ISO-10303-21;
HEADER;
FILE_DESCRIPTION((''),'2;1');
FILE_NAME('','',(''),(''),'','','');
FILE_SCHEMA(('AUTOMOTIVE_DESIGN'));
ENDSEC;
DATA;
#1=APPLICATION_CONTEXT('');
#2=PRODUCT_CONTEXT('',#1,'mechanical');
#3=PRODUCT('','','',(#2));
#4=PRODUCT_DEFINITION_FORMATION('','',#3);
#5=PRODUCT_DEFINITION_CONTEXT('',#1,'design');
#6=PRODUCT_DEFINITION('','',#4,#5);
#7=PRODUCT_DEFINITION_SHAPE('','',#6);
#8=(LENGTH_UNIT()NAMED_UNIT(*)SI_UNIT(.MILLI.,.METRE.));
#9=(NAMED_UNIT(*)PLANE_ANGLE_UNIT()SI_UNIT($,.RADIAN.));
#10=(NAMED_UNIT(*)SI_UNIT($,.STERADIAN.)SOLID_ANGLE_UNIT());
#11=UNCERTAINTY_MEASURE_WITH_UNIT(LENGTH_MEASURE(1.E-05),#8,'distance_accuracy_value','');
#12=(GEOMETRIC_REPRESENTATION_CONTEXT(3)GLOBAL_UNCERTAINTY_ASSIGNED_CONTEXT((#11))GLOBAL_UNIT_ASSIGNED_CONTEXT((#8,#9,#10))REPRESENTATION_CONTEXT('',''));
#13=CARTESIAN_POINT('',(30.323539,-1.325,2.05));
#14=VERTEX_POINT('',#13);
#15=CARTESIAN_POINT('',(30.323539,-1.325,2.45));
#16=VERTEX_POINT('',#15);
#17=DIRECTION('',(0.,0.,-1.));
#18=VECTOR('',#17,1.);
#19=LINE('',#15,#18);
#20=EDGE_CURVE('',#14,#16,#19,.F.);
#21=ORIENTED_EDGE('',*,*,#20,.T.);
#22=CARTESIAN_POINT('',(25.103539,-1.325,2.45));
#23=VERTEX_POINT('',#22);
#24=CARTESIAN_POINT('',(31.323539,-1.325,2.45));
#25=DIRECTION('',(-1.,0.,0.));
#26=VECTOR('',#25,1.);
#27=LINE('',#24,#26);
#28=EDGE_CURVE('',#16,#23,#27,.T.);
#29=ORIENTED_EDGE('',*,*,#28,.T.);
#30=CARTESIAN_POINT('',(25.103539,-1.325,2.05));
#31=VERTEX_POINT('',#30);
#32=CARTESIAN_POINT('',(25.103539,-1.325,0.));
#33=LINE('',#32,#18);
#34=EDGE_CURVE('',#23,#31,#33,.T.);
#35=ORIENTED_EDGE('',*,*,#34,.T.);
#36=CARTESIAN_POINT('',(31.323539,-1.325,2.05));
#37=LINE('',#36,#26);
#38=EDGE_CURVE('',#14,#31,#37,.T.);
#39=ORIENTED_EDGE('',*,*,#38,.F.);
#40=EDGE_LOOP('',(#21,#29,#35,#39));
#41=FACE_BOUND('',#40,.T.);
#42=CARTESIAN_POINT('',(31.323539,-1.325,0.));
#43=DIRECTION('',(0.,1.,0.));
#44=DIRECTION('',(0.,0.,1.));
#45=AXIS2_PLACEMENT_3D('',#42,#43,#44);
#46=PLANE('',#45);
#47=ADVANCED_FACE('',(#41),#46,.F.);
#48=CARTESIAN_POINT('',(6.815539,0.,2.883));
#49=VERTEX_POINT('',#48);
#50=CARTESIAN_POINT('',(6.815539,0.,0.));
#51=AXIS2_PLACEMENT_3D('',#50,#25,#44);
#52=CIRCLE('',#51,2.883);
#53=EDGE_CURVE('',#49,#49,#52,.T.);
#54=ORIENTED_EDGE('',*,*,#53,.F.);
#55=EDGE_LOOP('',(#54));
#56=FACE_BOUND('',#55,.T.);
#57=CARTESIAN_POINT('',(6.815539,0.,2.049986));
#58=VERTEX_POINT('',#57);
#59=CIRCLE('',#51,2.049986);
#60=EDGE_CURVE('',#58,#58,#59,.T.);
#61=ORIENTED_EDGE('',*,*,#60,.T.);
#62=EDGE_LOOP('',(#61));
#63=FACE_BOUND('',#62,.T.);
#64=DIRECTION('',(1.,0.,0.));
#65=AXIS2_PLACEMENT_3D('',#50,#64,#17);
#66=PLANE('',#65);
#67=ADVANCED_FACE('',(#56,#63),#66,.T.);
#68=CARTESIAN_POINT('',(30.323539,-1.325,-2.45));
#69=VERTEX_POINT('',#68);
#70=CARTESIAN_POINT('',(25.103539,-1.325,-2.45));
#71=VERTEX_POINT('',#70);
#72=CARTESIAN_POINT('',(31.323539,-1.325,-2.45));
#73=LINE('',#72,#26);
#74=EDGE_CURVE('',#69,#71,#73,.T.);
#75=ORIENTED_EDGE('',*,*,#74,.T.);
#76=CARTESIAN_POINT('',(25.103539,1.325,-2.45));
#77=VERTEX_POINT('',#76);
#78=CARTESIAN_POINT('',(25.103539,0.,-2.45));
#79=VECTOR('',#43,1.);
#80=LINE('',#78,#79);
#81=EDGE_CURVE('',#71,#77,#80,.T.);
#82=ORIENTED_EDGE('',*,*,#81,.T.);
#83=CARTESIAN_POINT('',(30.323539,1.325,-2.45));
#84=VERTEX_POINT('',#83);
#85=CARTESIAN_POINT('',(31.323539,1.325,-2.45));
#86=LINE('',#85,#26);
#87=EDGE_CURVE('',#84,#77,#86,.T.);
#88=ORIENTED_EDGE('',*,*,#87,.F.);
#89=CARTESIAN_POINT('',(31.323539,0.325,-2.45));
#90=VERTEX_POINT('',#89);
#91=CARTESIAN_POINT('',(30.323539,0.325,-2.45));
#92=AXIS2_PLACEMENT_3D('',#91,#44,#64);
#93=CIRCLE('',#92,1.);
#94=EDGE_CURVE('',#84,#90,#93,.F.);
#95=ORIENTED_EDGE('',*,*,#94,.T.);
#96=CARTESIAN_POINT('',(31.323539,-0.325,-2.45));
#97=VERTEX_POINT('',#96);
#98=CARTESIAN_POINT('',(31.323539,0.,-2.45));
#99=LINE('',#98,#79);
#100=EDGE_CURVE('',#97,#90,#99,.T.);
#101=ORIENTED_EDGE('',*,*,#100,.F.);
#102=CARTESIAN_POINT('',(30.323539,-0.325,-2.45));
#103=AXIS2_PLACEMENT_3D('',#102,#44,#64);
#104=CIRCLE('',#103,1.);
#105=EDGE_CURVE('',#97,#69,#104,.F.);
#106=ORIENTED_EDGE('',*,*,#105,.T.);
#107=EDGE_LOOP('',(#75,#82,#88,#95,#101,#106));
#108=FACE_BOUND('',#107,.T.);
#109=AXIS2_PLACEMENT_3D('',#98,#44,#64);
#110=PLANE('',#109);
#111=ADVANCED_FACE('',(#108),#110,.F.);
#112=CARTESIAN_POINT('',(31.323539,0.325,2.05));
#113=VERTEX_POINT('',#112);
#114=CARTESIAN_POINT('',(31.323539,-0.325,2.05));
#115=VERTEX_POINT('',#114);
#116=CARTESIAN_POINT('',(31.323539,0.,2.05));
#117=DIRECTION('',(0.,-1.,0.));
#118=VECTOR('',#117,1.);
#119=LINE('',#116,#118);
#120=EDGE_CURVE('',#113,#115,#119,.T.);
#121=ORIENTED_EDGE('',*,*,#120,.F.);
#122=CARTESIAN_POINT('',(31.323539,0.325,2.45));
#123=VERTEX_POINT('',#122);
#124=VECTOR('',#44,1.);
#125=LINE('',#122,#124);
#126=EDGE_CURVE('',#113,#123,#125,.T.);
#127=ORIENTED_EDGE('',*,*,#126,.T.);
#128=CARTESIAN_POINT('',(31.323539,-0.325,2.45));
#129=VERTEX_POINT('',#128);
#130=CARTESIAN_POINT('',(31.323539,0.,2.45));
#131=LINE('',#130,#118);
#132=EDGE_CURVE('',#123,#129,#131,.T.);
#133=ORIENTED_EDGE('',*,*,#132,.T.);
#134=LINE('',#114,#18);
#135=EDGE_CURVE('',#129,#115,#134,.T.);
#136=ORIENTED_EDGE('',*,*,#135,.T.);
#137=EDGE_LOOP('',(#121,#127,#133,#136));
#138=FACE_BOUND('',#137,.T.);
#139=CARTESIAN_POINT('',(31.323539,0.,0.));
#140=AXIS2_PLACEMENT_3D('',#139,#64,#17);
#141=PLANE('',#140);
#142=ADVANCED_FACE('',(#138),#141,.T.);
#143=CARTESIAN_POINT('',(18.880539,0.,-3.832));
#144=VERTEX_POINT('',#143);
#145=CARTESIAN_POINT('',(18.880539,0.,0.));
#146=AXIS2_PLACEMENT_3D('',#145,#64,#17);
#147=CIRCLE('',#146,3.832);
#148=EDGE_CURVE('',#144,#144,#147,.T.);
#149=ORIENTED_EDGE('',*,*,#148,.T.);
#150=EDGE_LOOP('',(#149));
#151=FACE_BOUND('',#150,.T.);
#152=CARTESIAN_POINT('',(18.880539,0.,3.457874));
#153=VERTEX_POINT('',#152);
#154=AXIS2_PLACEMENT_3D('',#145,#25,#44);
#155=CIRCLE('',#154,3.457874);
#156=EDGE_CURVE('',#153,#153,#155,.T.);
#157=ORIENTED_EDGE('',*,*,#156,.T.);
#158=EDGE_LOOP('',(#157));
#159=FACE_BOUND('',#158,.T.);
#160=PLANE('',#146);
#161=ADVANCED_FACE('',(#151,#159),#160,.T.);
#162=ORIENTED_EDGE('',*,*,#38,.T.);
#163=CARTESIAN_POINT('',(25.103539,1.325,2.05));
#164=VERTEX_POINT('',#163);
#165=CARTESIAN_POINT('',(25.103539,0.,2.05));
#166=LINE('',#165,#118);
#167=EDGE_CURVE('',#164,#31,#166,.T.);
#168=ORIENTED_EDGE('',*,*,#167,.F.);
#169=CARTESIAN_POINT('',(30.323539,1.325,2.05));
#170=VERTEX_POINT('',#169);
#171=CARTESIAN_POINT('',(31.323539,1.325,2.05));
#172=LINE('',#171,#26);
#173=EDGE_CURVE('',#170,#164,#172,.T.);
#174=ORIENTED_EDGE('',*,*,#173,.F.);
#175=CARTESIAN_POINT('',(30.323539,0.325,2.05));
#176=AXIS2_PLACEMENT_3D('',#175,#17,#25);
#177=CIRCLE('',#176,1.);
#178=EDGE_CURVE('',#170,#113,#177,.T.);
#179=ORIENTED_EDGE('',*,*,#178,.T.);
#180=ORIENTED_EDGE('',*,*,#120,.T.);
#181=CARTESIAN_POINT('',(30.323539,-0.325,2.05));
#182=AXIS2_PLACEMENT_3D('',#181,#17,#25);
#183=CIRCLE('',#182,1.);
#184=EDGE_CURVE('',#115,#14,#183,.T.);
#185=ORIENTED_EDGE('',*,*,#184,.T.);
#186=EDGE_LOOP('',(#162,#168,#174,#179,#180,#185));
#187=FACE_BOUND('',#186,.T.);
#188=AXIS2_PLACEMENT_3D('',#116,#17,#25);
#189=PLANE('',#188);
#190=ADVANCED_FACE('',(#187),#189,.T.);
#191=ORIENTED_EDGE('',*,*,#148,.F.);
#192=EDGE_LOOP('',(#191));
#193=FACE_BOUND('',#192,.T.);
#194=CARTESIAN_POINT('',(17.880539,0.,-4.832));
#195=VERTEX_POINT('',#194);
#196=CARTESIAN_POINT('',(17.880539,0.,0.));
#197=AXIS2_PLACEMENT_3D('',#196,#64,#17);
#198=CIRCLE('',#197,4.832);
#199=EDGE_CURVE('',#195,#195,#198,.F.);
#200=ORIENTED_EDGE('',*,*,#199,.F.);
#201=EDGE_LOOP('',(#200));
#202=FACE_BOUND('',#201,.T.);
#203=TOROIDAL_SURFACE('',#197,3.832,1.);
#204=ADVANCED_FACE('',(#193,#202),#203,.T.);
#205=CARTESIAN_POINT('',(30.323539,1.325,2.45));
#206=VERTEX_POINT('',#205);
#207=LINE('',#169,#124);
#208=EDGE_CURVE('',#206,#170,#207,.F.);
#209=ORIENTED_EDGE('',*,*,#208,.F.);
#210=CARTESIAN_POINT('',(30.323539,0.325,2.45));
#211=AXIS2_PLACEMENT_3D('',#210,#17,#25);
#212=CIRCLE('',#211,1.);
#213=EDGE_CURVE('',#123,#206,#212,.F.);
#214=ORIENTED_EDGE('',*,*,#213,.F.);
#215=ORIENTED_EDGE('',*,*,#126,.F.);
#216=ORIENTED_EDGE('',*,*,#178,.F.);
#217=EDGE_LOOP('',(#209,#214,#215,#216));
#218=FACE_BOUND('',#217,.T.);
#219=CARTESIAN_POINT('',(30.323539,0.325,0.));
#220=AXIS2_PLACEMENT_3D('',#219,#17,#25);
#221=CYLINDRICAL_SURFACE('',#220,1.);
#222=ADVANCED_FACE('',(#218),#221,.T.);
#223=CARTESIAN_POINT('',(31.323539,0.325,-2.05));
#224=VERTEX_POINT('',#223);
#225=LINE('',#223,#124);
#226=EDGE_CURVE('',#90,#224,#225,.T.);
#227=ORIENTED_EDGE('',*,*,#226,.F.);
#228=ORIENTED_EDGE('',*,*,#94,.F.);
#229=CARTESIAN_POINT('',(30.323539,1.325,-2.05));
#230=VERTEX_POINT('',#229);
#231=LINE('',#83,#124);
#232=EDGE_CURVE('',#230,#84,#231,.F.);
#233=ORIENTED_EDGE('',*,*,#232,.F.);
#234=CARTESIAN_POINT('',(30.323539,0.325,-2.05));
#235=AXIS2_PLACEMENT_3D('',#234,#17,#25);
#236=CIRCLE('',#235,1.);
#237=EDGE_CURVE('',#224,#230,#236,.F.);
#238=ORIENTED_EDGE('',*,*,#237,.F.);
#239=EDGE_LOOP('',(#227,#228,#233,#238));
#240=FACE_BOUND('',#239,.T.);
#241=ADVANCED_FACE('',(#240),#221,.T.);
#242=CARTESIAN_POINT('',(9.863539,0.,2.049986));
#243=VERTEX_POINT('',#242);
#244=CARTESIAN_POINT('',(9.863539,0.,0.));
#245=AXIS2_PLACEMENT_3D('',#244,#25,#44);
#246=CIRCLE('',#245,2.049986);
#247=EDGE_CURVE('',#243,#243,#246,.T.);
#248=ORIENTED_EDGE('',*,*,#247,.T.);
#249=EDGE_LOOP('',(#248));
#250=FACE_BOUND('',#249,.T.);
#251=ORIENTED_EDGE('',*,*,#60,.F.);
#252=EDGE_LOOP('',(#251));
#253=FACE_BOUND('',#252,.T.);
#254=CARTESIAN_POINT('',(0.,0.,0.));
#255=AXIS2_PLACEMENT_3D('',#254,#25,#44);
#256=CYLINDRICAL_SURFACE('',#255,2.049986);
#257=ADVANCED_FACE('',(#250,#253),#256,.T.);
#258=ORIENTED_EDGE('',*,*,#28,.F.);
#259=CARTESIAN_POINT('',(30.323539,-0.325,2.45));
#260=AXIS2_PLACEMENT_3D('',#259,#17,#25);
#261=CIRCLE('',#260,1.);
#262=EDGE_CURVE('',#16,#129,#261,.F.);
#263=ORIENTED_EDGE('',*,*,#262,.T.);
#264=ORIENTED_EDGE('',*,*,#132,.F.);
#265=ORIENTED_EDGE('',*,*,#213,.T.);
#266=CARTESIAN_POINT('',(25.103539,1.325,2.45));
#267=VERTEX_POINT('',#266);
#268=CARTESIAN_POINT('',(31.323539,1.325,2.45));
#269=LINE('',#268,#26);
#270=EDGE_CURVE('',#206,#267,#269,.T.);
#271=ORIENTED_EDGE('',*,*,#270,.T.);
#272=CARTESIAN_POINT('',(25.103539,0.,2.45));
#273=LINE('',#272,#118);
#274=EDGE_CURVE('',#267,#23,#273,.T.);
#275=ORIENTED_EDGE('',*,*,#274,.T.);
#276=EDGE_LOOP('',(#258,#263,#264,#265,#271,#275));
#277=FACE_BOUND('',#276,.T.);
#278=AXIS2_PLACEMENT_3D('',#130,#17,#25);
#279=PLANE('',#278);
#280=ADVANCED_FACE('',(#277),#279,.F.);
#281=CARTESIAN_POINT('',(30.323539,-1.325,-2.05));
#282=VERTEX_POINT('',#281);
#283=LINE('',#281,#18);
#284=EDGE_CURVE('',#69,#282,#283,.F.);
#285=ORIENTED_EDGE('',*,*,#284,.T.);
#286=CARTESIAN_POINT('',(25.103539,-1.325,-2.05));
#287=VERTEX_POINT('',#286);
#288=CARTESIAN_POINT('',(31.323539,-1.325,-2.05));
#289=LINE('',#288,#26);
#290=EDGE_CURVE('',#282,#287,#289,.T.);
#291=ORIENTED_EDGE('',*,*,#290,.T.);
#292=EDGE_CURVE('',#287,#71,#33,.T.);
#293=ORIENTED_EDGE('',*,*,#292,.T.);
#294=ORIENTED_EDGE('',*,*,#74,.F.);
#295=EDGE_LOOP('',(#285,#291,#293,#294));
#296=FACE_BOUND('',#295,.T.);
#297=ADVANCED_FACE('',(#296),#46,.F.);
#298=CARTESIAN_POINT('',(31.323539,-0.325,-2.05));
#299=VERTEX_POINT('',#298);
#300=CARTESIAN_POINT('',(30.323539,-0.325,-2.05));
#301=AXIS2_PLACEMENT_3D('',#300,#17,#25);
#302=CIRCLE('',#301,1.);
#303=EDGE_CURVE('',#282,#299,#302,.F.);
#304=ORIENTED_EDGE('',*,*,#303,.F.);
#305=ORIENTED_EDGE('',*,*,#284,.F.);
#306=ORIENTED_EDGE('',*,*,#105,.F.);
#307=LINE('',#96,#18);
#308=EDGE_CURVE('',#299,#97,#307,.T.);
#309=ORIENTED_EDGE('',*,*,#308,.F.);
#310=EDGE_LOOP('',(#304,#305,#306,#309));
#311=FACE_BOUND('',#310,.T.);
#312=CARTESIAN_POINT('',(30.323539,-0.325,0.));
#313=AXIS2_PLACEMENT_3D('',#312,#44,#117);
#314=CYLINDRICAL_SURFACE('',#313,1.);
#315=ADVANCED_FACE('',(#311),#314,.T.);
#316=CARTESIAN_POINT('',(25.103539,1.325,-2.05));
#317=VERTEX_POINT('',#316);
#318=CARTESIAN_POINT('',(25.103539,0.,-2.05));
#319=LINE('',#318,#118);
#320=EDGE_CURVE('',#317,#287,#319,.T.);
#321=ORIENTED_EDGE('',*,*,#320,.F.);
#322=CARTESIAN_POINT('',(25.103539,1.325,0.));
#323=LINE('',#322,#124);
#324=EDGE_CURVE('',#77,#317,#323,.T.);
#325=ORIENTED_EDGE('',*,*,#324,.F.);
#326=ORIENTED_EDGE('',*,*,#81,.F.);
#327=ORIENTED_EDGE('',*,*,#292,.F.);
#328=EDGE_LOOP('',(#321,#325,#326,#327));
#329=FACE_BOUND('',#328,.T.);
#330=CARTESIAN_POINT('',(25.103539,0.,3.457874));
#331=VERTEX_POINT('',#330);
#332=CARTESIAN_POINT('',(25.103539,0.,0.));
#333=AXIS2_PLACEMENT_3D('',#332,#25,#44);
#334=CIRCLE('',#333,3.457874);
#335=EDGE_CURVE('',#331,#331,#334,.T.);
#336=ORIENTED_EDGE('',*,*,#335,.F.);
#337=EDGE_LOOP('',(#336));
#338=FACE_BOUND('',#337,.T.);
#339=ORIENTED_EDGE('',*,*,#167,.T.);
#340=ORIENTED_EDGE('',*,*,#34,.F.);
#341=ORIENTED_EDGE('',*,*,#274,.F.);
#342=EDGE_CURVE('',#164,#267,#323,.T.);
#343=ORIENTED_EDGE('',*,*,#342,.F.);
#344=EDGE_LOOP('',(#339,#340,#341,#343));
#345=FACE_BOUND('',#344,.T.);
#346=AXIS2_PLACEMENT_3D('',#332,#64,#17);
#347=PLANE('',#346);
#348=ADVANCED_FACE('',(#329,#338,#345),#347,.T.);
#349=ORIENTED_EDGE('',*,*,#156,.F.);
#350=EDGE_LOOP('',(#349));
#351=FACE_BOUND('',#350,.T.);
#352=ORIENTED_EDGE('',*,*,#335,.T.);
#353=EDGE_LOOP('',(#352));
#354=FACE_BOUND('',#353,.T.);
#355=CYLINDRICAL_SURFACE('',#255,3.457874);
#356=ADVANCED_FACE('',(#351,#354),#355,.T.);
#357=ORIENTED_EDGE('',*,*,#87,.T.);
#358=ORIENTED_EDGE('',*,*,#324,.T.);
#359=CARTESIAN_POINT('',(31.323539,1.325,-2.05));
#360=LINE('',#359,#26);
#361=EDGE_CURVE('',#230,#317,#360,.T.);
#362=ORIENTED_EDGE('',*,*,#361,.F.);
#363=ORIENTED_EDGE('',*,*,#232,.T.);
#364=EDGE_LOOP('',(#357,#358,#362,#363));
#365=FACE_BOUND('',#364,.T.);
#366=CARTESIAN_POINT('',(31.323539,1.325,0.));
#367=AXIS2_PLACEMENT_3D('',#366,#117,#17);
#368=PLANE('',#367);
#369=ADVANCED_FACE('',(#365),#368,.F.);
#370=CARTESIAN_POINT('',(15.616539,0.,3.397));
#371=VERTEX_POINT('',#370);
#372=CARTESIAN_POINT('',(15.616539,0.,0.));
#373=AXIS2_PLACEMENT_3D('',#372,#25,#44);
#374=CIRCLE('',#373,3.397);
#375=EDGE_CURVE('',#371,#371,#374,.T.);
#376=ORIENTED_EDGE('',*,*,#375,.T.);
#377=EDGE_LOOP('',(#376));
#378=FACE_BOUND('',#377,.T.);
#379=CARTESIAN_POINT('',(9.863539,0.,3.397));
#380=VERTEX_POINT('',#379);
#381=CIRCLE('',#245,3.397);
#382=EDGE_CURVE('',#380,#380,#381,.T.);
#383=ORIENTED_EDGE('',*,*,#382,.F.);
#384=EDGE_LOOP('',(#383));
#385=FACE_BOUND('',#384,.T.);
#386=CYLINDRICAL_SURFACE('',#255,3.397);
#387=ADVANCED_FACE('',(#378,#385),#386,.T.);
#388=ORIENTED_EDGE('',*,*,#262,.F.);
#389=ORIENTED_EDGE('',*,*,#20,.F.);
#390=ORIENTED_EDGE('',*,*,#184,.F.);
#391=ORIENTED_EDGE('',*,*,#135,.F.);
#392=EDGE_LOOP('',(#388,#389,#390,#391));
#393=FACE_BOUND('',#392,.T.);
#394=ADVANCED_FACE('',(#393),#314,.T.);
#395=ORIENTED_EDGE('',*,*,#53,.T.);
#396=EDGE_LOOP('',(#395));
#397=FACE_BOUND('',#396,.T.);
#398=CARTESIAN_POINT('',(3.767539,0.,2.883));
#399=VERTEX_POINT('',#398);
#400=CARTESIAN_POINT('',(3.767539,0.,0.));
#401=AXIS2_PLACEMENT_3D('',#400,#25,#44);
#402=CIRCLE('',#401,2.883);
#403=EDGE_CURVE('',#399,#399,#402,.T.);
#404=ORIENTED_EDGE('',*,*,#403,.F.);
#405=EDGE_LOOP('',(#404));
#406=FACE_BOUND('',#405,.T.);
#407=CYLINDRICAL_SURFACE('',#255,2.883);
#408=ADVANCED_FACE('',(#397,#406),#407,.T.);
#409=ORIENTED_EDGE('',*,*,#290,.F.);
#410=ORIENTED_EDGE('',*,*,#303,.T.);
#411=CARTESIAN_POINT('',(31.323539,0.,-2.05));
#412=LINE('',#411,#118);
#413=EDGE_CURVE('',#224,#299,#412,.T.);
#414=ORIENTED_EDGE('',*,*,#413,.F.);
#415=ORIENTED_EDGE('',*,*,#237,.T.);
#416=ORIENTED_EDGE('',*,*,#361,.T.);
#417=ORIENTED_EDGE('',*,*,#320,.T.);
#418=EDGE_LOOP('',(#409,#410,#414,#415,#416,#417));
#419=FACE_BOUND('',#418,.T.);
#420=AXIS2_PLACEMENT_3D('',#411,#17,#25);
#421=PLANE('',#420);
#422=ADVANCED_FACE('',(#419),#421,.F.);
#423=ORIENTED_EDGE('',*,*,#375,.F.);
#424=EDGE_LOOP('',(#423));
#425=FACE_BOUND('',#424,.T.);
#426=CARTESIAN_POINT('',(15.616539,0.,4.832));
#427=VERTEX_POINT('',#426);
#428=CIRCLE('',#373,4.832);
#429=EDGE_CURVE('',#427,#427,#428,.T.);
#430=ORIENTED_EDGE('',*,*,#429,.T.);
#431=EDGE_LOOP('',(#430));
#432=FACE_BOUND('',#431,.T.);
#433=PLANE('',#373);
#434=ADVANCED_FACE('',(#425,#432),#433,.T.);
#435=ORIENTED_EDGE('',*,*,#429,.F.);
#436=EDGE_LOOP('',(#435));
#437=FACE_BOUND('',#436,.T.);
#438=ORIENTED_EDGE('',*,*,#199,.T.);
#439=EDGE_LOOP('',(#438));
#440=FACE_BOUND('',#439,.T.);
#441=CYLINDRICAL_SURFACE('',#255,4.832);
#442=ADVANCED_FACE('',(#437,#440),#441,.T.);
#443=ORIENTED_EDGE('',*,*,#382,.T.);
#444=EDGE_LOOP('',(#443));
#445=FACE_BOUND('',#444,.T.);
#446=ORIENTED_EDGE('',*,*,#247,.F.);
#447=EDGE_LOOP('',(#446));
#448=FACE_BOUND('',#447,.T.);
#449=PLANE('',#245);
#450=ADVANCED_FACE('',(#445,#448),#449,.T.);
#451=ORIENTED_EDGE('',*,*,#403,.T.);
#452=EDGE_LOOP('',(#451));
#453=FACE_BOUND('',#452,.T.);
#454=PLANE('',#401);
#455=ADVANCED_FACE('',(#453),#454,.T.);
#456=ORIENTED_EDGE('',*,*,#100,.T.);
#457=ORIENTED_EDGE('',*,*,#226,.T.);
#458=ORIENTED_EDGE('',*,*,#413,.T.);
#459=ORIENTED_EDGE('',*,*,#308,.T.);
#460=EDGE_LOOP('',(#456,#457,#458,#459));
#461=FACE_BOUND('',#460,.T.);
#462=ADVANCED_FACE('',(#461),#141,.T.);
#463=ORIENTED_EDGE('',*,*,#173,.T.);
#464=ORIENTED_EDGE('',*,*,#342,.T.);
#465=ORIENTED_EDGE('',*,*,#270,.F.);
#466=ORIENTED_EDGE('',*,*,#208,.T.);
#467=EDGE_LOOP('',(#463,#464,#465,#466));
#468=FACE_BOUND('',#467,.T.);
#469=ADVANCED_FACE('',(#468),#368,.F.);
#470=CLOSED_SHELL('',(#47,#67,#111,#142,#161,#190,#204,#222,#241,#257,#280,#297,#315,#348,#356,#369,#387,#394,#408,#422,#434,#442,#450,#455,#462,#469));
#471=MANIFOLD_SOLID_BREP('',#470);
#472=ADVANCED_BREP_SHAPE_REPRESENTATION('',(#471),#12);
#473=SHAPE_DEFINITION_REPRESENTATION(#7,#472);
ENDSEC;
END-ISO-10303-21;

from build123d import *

# Parameters (mm, degrees)
FILLET1_R           = 1
SKETCH2_W           = 0.4
SKETCH2_H           = 2.65
BOSS_EXTRUDE1_DEPTH = 6.22
FILLET2_R           = 1


with BuildPart() as part:
    # Sketch1 → Revolve1 (revolve)
    with BuildSketch(Plane.XY, mode=Mode.PRIVATE) as revolve1_sk:
        Polygon((25.103538705, 0), (3.767538705, 0), (3.767538705, 2.883), (6.815538705, 2.883), (6.815538705, 2.049985706), (9.863538705, 2.049985706), (9.863538705, 3.397), (15.616538705, 3.397), (15.616538705, 4.832), (18.880538705, 4.832), (18.880538705, 3.457874146), (25.103538705, 3.457874146), align=None)
    revolve(revolve1_sk.sketch.rotate(Axis((0, 0, 0), (1, 0, 0)), 90), axis=Axis((0, 0, 0), (1, 0, 0)))

    # Fillet1
    fillet1_edges = [part.edges().sort_by_distance(p)[0] for p in [
        (18.880538705, 0, -4.832),
    ]]
    fillet(fillet1_edges, radius=FILLET1_R)

    # Sketch2 → Boss-Extrude1 (add)
    with BuildSketch(Plane(origin=(25.103538705, 0, 0), x_dir=(0, 0, -1), z_dir=(1, 0, 0))):
        with Locations((-2.25, 0)):
            Rectangle(SKETCH2_W, SKETCH2_H)
        with Locations((2.25, 0)):
            Rectangle(SKETCH2_W, SKETCH2_H)
    extrude(amount=BOSS_EXTRUDE1_DEPTH)

    # Fillet2
    fillet2_edges = [part.edges().sort_by_distance(p)[0] for p in [
        (31.323538705, 1.325, 2.25),
        (31.323538705, -1.325, 2.25),
        (31.323538705, 1.325, -2.25),
        (31.323538705, -1.325, -2.25),
    ]]
    fillet(fillet2_edges, radius=FILLET2_R)


solid = part.part
